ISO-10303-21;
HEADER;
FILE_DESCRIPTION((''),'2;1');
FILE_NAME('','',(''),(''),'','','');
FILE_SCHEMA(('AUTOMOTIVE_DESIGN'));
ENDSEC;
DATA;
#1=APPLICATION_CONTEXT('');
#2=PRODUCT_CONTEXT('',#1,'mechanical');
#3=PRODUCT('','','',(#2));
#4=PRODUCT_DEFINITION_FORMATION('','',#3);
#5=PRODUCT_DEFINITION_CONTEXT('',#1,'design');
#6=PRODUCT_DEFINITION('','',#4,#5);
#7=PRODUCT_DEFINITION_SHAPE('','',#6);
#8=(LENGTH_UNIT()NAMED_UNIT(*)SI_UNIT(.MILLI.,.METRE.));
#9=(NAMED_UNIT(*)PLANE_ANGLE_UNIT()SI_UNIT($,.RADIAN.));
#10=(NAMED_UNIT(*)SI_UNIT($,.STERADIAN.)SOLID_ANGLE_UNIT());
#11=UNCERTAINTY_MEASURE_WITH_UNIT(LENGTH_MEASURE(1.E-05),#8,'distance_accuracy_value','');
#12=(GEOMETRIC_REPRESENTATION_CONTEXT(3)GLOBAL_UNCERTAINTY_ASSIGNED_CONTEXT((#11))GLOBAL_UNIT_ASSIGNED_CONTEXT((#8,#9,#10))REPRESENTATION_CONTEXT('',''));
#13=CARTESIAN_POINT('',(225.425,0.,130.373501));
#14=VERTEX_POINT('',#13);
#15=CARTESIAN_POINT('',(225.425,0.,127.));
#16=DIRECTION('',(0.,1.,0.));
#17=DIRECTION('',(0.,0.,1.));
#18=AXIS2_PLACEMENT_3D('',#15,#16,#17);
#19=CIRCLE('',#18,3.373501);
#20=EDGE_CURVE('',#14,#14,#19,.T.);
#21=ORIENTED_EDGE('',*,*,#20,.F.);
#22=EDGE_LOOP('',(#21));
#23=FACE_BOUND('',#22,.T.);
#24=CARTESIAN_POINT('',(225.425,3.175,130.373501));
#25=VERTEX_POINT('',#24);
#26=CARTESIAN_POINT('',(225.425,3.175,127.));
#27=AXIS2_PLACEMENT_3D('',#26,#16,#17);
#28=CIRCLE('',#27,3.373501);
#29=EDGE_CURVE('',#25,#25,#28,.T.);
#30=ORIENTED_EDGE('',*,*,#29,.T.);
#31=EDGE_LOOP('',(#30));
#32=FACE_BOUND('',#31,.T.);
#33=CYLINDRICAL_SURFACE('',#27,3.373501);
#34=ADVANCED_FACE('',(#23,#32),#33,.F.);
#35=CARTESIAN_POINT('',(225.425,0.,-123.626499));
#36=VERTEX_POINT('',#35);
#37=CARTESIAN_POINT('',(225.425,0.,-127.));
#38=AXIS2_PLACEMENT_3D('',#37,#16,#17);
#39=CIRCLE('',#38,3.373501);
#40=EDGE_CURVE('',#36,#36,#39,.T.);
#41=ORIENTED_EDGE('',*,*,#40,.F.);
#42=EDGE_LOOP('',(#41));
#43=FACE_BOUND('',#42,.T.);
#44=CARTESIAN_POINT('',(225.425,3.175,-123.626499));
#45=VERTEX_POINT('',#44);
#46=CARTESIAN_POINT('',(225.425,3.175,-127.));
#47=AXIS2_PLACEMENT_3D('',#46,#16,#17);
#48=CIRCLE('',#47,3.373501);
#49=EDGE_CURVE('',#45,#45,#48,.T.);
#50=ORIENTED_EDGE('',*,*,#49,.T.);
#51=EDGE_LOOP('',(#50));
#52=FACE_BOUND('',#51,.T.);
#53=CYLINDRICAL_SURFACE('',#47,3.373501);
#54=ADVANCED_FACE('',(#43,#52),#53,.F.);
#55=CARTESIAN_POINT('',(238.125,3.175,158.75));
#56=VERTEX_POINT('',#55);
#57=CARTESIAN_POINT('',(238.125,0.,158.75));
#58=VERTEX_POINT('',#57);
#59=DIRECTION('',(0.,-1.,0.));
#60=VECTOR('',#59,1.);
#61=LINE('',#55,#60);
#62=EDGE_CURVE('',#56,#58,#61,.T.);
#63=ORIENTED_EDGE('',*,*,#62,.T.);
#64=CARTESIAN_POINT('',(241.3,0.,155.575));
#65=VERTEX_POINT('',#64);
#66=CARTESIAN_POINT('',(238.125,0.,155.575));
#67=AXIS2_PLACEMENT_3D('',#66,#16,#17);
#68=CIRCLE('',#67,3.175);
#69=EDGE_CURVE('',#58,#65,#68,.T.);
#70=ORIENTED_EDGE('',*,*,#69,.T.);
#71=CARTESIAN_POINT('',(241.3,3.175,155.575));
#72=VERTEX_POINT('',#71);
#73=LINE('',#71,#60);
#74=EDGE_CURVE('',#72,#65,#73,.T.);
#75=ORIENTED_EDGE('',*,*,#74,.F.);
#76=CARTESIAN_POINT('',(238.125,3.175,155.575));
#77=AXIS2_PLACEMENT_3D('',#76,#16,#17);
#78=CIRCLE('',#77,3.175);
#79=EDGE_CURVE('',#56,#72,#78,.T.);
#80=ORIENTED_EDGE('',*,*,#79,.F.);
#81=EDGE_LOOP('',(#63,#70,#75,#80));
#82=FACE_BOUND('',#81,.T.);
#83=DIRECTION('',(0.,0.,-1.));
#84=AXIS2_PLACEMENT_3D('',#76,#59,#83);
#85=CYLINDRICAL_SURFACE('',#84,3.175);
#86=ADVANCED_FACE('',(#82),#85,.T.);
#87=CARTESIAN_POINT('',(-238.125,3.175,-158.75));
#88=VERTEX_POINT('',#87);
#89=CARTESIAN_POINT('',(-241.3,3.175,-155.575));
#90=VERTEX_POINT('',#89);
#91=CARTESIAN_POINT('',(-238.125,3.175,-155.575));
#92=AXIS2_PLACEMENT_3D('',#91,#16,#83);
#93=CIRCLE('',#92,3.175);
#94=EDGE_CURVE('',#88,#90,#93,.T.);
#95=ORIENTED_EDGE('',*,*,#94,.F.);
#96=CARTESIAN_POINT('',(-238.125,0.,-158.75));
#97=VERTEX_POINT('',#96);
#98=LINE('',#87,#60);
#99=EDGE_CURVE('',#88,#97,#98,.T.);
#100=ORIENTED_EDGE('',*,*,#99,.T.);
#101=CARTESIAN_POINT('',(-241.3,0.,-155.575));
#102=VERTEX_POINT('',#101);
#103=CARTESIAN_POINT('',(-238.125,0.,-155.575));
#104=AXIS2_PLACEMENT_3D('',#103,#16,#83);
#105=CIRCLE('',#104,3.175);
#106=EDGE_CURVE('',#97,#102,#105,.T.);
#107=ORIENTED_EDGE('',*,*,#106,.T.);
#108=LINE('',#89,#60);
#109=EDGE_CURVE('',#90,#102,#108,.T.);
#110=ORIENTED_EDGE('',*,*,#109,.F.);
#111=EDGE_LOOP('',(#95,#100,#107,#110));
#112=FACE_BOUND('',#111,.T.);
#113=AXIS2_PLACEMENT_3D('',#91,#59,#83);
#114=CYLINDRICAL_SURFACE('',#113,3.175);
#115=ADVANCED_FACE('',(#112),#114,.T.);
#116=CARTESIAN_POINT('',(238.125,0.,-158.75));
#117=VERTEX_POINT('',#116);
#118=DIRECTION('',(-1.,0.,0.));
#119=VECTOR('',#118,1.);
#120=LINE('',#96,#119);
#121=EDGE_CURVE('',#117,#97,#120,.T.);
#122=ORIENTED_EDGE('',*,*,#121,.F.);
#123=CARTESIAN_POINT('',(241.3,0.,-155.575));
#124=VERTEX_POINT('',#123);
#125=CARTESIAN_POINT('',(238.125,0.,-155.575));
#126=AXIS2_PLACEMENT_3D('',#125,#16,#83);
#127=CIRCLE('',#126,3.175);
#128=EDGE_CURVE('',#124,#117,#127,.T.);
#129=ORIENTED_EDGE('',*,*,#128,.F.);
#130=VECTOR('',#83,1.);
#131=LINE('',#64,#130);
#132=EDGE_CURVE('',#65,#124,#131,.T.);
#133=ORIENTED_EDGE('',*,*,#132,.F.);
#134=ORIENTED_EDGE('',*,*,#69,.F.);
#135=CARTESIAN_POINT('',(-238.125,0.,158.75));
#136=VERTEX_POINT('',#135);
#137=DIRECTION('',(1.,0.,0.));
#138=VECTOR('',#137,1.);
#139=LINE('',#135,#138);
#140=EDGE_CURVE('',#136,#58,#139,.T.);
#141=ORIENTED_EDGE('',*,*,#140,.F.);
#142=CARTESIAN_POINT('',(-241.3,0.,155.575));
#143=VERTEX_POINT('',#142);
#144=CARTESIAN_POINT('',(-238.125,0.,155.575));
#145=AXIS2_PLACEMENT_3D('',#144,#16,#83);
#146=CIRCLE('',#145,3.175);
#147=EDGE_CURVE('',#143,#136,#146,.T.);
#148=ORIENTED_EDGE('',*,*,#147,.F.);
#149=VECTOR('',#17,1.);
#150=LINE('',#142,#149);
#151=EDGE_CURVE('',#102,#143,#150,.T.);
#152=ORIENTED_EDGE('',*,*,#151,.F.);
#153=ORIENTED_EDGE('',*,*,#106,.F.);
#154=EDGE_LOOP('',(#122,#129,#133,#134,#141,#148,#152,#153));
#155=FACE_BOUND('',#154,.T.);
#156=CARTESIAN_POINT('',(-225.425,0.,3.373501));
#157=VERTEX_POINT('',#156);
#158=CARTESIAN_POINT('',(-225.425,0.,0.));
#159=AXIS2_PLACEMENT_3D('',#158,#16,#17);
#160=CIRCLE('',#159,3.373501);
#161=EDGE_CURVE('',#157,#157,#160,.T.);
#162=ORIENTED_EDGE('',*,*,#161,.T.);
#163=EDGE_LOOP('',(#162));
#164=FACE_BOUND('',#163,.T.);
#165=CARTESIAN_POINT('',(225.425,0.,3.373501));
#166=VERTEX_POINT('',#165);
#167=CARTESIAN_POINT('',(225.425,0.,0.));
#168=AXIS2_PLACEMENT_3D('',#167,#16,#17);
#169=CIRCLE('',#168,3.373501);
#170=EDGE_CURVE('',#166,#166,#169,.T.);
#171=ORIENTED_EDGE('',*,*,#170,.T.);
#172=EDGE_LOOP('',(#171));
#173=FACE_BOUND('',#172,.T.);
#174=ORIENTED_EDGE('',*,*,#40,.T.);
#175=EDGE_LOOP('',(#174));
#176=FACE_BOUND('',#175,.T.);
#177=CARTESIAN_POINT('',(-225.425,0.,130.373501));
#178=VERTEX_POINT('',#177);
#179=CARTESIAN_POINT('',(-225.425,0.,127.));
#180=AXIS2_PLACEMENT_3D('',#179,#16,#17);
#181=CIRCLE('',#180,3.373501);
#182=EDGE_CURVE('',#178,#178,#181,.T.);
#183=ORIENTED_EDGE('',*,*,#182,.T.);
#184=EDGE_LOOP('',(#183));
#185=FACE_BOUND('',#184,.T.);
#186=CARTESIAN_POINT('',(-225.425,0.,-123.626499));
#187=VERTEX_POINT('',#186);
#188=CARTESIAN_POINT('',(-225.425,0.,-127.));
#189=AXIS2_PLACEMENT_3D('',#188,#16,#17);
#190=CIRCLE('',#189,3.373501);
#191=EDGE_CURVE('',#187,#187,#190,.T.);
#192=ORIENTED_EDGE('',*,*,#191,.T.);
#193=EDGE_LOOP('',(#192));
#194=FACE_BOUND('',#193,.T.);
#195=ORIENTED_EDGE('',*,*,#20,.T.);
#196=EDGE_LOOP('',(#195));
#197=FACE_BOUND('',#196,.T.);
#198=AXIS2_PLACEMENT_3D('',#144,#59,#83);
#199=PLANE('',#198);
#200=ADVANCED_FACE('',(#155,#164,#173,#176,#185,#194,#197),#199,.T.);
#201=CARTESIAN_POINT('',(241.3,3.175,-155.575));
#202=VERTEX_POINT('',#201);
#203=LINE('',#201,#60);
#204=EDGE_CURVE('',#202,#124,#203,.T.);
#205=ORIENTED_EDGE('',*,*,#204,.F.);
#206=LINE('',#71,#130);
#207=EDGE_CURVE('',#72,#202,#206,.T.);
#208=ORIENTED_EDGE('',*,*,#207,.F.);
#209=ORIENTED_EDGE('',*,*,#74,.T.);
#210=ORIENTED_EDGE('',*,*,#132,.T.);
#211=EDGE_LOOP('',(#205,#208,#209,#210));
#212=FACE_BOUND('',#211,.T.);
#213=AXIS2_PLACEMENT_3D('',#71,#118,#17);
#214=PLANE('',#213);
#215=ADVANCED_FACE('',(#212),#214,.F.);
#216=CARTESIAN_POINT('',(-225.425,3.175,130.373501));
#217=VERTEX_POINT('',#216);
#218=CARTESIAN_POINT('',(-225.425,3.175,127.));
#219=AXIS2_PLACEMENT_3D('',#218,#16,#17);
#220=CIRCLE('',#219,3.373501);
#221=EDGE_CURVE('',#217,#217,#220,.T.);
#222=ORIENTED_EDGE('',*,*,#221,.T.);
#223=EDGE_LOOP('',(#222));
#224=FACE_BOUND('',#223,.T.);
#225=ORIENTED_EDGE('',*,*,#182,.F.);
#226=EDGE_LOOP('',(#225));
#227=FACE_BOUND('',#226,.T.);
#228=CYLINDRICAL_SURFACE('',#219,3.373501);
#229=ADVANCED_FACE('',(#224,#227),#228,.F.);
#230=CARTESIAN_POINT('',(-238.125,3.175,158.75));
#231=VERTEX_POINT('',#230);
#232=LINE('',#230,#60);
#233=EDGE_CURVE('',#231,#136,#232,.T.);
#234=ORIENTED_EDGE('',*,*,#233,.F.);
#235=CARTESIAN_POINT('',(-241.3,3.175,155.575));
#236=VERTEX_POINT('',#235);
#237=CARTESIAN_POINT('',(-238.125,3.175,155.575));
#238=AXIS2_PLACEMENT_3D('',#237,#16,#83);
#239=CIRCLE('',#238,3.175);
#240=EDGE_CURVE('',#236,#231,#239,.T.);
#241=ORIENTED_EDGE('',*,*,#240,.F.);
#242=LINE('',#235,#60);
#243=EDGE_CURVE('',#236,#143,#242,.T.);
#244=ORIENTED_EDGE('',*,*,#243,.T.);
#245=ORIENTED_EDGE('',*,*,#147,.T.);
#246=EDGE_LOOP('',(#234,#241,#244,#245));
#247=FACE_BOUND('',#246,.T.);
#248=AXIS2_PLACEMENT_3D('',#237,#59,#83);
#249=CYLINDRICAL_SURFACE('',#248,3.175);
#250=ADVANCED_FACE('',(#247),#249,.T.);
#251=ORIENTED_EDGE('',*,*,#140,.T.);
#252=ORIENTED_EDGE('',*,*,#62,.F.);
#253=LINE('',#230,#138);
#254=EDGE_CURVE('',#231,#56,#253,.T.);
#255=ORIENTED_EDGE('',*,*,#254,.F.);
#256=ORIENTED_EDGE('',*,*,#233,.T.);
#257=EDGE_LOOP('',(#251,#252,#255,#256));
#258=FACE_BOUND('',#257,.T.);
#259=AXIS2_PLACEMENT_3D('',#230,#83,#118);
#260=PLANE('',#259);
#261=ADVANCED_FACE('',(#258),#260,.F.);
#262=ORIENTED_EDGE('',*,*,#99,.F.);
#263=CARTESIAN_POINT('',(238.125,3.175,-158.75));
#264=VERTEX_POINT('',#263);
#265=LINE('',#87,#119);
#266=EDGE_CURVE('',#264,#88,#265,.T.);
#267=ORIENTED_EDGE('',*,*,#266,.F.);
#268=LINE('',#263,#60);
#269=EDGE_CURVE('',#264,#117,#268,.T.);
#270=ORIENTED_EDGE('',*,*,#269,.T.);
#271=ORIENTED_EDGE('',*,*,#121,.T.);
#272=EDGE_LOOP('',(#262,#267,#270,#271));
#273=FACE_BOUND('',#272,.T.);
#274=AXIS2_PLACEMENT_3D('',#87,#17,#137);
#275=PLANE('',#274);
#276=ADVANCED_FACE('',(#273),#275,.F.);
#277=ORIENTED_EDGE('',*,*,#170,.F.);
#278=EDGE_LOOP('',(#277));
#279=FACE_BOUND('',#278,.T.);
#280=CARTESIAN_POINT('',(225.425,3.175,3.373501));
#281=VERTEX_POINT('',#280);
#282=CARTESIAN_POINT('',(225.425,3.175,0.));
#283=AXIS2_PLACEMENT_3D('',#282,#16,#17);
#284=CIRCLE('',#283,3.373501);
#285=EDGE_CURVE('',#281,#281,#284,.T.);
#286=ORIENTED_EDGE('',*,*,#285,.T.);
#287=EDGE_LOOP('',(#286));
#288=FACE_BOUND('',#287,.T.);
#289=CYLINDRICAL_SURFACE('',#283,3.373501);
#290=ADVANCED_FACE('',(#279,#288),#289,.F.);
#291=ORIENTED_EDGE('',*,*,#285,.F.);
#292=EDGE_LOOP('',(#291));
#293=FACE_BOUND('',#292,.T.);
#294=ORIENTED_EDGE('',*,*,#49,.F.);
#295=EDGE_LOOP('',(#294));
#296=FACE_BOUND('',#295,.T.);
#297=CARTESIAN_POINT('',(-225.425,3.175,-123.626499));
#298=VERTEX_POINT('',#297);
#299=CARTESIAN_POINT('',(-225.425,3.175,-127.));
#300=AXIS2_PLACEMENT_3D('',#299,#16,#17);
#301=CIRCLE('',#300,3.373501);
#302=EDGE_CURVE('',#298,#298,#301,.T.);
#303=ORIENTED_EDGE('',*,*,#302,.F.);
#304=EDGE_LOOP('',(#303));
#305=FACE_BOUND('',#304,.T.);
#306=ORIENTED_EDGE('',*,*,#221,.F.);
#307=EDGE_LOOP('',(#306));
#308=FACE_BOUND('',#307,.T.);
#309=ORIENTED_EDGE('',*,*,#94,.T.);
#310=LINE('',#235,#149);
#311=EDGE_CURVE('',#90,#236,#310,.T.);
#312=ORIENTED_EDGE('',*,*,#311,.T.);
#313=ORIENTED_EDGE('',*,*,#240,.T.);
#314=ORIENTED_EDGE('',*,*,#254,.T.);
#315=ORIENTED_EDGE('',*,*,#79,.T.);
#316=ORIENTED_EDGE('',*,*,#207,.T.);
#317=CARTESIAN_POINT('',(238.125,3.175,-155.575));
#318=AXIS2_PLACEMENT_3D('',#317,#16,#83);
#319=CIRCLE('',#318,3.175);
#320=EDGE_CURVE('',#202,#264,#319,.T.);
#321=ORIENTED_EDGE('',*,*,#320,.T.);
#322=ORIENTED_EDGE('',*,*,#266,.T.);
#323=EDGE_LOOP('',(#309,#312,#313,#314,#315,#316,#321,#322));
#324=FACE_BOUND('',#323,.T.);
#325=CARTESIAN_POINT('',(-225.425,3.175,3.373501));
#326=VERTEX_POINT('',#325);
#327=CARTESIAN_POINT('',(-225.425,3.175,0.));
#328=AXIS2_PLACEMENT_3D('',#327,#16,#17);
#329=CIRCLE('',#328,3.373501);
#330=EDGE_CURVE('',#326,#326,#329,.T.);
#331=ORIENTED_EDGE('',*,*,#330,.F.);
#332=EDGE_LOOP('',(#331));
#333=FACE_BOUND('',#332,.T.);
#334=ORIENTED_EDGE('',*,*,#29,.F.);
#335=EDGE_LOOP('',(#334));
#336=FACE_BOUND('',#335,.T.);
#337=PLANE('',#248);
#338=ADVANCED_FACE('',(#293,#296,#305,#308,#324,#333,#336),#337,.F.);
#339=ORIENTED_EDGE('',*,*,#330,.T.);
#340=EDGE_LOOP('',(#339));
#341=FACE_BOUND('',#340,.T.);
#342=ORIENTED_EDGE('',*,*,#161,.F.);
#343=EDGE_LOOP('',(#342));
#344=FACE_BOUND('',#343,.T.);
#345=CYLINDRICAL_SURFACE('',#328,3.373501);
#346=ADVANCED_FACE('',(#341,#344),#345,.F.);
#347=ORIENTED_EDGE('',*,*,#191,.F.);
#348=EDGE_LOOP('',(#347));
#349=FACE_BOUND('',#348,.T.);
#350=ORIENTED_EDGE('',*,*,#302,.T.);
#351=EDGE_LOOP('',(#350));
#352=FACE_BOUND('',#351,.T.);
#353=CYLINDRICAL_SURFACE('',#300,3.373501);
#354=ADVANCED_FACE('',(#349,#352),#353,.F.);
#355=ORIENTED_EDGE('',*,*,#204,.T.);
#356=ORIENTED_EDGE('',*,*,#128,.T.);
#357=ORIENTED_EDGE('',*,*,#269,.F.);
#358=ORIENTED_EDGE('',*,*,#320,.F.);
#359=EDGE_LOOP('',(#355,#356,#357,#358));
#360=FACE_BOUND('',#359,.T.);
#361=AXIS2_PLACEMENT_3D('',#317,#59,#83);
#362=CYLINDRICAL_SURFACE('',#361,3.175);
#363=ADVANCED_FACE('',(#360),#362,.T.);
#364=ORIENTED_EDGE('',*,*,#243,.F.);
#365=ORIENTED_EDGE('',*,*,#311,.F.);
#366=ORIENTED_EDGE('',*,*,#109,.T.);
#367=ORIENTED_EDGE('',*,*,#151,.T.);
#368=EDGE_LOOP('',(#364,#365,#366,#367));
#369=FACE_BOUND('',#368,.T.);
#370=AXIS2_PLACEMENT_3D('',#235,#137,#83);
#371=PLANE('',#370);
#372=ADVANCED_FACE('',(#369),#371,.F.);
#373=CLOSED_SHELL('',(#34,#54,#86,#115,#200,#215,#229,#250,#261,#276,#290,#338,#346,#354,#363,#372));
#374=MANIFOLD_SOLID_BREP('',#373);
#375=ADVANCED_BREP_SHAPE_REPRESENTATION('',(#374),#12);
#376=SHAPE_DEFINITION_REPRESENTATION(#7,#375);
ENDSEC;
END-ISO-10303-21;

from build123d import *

# Parameters (mm, degrees)
BOSS_EXTRUDE1_DEPTH              = 3.175
F_17_64_0_26563_DIAMETER_HOLE1_D = 6.747002


with BuildPart() as part:
    # Sketch1 → Boss-Extrude1 (new body)
    with BuildSketch(Plane(origin=(0, 0, 0), x_dir=(1, 0, 0), z_dir=(0, 1, 0))):
        with BuildLine():
            Line((-238.125, -158.75), (238.125, -158.75))
            ThreePointArc((238.125, -158.75), (240.37006403, -157.82006403), (241.3, -155.575))
            Line((241.3, -155.575), (241.3, 155.575))
            ThreePointArc((241.3, 155.575), (240.37006403, 157.82006403), (238.125, 158.75))
            Line((238.125, 158.75), (-238.125, 158.75))
            ThreePointArc((-238.125, 158.75), (-240.37006403, 157.82006403), (-241.3, 155.575))
            Line((-241.3, 155.575), (-241.3, -155.575))
            ThreePointArc((-241.3, -155.575), (-240.37006403, -157.82006403), (-238.125, -158.75))
        make_face()
    extrude(amount=BOSS_EXTRUDE1_DEPTH)

    # 17/64 (0.26563) Diameter Hole1 (through all)
    with Locations(Plane(origin=(0, 3.175, 0), x_dir=(1, 0, 0), z_dir=(0, 1, 0))):
        with Locations((-225.425, 127), (-225.425, 0), (-225.425, -127), (225.425, 127), (225.425, 0), (225.425, -127)):
            Hole(F_17_64_0_26563_DIAMETER_HOLE1_D / 2)


solid = part.part
